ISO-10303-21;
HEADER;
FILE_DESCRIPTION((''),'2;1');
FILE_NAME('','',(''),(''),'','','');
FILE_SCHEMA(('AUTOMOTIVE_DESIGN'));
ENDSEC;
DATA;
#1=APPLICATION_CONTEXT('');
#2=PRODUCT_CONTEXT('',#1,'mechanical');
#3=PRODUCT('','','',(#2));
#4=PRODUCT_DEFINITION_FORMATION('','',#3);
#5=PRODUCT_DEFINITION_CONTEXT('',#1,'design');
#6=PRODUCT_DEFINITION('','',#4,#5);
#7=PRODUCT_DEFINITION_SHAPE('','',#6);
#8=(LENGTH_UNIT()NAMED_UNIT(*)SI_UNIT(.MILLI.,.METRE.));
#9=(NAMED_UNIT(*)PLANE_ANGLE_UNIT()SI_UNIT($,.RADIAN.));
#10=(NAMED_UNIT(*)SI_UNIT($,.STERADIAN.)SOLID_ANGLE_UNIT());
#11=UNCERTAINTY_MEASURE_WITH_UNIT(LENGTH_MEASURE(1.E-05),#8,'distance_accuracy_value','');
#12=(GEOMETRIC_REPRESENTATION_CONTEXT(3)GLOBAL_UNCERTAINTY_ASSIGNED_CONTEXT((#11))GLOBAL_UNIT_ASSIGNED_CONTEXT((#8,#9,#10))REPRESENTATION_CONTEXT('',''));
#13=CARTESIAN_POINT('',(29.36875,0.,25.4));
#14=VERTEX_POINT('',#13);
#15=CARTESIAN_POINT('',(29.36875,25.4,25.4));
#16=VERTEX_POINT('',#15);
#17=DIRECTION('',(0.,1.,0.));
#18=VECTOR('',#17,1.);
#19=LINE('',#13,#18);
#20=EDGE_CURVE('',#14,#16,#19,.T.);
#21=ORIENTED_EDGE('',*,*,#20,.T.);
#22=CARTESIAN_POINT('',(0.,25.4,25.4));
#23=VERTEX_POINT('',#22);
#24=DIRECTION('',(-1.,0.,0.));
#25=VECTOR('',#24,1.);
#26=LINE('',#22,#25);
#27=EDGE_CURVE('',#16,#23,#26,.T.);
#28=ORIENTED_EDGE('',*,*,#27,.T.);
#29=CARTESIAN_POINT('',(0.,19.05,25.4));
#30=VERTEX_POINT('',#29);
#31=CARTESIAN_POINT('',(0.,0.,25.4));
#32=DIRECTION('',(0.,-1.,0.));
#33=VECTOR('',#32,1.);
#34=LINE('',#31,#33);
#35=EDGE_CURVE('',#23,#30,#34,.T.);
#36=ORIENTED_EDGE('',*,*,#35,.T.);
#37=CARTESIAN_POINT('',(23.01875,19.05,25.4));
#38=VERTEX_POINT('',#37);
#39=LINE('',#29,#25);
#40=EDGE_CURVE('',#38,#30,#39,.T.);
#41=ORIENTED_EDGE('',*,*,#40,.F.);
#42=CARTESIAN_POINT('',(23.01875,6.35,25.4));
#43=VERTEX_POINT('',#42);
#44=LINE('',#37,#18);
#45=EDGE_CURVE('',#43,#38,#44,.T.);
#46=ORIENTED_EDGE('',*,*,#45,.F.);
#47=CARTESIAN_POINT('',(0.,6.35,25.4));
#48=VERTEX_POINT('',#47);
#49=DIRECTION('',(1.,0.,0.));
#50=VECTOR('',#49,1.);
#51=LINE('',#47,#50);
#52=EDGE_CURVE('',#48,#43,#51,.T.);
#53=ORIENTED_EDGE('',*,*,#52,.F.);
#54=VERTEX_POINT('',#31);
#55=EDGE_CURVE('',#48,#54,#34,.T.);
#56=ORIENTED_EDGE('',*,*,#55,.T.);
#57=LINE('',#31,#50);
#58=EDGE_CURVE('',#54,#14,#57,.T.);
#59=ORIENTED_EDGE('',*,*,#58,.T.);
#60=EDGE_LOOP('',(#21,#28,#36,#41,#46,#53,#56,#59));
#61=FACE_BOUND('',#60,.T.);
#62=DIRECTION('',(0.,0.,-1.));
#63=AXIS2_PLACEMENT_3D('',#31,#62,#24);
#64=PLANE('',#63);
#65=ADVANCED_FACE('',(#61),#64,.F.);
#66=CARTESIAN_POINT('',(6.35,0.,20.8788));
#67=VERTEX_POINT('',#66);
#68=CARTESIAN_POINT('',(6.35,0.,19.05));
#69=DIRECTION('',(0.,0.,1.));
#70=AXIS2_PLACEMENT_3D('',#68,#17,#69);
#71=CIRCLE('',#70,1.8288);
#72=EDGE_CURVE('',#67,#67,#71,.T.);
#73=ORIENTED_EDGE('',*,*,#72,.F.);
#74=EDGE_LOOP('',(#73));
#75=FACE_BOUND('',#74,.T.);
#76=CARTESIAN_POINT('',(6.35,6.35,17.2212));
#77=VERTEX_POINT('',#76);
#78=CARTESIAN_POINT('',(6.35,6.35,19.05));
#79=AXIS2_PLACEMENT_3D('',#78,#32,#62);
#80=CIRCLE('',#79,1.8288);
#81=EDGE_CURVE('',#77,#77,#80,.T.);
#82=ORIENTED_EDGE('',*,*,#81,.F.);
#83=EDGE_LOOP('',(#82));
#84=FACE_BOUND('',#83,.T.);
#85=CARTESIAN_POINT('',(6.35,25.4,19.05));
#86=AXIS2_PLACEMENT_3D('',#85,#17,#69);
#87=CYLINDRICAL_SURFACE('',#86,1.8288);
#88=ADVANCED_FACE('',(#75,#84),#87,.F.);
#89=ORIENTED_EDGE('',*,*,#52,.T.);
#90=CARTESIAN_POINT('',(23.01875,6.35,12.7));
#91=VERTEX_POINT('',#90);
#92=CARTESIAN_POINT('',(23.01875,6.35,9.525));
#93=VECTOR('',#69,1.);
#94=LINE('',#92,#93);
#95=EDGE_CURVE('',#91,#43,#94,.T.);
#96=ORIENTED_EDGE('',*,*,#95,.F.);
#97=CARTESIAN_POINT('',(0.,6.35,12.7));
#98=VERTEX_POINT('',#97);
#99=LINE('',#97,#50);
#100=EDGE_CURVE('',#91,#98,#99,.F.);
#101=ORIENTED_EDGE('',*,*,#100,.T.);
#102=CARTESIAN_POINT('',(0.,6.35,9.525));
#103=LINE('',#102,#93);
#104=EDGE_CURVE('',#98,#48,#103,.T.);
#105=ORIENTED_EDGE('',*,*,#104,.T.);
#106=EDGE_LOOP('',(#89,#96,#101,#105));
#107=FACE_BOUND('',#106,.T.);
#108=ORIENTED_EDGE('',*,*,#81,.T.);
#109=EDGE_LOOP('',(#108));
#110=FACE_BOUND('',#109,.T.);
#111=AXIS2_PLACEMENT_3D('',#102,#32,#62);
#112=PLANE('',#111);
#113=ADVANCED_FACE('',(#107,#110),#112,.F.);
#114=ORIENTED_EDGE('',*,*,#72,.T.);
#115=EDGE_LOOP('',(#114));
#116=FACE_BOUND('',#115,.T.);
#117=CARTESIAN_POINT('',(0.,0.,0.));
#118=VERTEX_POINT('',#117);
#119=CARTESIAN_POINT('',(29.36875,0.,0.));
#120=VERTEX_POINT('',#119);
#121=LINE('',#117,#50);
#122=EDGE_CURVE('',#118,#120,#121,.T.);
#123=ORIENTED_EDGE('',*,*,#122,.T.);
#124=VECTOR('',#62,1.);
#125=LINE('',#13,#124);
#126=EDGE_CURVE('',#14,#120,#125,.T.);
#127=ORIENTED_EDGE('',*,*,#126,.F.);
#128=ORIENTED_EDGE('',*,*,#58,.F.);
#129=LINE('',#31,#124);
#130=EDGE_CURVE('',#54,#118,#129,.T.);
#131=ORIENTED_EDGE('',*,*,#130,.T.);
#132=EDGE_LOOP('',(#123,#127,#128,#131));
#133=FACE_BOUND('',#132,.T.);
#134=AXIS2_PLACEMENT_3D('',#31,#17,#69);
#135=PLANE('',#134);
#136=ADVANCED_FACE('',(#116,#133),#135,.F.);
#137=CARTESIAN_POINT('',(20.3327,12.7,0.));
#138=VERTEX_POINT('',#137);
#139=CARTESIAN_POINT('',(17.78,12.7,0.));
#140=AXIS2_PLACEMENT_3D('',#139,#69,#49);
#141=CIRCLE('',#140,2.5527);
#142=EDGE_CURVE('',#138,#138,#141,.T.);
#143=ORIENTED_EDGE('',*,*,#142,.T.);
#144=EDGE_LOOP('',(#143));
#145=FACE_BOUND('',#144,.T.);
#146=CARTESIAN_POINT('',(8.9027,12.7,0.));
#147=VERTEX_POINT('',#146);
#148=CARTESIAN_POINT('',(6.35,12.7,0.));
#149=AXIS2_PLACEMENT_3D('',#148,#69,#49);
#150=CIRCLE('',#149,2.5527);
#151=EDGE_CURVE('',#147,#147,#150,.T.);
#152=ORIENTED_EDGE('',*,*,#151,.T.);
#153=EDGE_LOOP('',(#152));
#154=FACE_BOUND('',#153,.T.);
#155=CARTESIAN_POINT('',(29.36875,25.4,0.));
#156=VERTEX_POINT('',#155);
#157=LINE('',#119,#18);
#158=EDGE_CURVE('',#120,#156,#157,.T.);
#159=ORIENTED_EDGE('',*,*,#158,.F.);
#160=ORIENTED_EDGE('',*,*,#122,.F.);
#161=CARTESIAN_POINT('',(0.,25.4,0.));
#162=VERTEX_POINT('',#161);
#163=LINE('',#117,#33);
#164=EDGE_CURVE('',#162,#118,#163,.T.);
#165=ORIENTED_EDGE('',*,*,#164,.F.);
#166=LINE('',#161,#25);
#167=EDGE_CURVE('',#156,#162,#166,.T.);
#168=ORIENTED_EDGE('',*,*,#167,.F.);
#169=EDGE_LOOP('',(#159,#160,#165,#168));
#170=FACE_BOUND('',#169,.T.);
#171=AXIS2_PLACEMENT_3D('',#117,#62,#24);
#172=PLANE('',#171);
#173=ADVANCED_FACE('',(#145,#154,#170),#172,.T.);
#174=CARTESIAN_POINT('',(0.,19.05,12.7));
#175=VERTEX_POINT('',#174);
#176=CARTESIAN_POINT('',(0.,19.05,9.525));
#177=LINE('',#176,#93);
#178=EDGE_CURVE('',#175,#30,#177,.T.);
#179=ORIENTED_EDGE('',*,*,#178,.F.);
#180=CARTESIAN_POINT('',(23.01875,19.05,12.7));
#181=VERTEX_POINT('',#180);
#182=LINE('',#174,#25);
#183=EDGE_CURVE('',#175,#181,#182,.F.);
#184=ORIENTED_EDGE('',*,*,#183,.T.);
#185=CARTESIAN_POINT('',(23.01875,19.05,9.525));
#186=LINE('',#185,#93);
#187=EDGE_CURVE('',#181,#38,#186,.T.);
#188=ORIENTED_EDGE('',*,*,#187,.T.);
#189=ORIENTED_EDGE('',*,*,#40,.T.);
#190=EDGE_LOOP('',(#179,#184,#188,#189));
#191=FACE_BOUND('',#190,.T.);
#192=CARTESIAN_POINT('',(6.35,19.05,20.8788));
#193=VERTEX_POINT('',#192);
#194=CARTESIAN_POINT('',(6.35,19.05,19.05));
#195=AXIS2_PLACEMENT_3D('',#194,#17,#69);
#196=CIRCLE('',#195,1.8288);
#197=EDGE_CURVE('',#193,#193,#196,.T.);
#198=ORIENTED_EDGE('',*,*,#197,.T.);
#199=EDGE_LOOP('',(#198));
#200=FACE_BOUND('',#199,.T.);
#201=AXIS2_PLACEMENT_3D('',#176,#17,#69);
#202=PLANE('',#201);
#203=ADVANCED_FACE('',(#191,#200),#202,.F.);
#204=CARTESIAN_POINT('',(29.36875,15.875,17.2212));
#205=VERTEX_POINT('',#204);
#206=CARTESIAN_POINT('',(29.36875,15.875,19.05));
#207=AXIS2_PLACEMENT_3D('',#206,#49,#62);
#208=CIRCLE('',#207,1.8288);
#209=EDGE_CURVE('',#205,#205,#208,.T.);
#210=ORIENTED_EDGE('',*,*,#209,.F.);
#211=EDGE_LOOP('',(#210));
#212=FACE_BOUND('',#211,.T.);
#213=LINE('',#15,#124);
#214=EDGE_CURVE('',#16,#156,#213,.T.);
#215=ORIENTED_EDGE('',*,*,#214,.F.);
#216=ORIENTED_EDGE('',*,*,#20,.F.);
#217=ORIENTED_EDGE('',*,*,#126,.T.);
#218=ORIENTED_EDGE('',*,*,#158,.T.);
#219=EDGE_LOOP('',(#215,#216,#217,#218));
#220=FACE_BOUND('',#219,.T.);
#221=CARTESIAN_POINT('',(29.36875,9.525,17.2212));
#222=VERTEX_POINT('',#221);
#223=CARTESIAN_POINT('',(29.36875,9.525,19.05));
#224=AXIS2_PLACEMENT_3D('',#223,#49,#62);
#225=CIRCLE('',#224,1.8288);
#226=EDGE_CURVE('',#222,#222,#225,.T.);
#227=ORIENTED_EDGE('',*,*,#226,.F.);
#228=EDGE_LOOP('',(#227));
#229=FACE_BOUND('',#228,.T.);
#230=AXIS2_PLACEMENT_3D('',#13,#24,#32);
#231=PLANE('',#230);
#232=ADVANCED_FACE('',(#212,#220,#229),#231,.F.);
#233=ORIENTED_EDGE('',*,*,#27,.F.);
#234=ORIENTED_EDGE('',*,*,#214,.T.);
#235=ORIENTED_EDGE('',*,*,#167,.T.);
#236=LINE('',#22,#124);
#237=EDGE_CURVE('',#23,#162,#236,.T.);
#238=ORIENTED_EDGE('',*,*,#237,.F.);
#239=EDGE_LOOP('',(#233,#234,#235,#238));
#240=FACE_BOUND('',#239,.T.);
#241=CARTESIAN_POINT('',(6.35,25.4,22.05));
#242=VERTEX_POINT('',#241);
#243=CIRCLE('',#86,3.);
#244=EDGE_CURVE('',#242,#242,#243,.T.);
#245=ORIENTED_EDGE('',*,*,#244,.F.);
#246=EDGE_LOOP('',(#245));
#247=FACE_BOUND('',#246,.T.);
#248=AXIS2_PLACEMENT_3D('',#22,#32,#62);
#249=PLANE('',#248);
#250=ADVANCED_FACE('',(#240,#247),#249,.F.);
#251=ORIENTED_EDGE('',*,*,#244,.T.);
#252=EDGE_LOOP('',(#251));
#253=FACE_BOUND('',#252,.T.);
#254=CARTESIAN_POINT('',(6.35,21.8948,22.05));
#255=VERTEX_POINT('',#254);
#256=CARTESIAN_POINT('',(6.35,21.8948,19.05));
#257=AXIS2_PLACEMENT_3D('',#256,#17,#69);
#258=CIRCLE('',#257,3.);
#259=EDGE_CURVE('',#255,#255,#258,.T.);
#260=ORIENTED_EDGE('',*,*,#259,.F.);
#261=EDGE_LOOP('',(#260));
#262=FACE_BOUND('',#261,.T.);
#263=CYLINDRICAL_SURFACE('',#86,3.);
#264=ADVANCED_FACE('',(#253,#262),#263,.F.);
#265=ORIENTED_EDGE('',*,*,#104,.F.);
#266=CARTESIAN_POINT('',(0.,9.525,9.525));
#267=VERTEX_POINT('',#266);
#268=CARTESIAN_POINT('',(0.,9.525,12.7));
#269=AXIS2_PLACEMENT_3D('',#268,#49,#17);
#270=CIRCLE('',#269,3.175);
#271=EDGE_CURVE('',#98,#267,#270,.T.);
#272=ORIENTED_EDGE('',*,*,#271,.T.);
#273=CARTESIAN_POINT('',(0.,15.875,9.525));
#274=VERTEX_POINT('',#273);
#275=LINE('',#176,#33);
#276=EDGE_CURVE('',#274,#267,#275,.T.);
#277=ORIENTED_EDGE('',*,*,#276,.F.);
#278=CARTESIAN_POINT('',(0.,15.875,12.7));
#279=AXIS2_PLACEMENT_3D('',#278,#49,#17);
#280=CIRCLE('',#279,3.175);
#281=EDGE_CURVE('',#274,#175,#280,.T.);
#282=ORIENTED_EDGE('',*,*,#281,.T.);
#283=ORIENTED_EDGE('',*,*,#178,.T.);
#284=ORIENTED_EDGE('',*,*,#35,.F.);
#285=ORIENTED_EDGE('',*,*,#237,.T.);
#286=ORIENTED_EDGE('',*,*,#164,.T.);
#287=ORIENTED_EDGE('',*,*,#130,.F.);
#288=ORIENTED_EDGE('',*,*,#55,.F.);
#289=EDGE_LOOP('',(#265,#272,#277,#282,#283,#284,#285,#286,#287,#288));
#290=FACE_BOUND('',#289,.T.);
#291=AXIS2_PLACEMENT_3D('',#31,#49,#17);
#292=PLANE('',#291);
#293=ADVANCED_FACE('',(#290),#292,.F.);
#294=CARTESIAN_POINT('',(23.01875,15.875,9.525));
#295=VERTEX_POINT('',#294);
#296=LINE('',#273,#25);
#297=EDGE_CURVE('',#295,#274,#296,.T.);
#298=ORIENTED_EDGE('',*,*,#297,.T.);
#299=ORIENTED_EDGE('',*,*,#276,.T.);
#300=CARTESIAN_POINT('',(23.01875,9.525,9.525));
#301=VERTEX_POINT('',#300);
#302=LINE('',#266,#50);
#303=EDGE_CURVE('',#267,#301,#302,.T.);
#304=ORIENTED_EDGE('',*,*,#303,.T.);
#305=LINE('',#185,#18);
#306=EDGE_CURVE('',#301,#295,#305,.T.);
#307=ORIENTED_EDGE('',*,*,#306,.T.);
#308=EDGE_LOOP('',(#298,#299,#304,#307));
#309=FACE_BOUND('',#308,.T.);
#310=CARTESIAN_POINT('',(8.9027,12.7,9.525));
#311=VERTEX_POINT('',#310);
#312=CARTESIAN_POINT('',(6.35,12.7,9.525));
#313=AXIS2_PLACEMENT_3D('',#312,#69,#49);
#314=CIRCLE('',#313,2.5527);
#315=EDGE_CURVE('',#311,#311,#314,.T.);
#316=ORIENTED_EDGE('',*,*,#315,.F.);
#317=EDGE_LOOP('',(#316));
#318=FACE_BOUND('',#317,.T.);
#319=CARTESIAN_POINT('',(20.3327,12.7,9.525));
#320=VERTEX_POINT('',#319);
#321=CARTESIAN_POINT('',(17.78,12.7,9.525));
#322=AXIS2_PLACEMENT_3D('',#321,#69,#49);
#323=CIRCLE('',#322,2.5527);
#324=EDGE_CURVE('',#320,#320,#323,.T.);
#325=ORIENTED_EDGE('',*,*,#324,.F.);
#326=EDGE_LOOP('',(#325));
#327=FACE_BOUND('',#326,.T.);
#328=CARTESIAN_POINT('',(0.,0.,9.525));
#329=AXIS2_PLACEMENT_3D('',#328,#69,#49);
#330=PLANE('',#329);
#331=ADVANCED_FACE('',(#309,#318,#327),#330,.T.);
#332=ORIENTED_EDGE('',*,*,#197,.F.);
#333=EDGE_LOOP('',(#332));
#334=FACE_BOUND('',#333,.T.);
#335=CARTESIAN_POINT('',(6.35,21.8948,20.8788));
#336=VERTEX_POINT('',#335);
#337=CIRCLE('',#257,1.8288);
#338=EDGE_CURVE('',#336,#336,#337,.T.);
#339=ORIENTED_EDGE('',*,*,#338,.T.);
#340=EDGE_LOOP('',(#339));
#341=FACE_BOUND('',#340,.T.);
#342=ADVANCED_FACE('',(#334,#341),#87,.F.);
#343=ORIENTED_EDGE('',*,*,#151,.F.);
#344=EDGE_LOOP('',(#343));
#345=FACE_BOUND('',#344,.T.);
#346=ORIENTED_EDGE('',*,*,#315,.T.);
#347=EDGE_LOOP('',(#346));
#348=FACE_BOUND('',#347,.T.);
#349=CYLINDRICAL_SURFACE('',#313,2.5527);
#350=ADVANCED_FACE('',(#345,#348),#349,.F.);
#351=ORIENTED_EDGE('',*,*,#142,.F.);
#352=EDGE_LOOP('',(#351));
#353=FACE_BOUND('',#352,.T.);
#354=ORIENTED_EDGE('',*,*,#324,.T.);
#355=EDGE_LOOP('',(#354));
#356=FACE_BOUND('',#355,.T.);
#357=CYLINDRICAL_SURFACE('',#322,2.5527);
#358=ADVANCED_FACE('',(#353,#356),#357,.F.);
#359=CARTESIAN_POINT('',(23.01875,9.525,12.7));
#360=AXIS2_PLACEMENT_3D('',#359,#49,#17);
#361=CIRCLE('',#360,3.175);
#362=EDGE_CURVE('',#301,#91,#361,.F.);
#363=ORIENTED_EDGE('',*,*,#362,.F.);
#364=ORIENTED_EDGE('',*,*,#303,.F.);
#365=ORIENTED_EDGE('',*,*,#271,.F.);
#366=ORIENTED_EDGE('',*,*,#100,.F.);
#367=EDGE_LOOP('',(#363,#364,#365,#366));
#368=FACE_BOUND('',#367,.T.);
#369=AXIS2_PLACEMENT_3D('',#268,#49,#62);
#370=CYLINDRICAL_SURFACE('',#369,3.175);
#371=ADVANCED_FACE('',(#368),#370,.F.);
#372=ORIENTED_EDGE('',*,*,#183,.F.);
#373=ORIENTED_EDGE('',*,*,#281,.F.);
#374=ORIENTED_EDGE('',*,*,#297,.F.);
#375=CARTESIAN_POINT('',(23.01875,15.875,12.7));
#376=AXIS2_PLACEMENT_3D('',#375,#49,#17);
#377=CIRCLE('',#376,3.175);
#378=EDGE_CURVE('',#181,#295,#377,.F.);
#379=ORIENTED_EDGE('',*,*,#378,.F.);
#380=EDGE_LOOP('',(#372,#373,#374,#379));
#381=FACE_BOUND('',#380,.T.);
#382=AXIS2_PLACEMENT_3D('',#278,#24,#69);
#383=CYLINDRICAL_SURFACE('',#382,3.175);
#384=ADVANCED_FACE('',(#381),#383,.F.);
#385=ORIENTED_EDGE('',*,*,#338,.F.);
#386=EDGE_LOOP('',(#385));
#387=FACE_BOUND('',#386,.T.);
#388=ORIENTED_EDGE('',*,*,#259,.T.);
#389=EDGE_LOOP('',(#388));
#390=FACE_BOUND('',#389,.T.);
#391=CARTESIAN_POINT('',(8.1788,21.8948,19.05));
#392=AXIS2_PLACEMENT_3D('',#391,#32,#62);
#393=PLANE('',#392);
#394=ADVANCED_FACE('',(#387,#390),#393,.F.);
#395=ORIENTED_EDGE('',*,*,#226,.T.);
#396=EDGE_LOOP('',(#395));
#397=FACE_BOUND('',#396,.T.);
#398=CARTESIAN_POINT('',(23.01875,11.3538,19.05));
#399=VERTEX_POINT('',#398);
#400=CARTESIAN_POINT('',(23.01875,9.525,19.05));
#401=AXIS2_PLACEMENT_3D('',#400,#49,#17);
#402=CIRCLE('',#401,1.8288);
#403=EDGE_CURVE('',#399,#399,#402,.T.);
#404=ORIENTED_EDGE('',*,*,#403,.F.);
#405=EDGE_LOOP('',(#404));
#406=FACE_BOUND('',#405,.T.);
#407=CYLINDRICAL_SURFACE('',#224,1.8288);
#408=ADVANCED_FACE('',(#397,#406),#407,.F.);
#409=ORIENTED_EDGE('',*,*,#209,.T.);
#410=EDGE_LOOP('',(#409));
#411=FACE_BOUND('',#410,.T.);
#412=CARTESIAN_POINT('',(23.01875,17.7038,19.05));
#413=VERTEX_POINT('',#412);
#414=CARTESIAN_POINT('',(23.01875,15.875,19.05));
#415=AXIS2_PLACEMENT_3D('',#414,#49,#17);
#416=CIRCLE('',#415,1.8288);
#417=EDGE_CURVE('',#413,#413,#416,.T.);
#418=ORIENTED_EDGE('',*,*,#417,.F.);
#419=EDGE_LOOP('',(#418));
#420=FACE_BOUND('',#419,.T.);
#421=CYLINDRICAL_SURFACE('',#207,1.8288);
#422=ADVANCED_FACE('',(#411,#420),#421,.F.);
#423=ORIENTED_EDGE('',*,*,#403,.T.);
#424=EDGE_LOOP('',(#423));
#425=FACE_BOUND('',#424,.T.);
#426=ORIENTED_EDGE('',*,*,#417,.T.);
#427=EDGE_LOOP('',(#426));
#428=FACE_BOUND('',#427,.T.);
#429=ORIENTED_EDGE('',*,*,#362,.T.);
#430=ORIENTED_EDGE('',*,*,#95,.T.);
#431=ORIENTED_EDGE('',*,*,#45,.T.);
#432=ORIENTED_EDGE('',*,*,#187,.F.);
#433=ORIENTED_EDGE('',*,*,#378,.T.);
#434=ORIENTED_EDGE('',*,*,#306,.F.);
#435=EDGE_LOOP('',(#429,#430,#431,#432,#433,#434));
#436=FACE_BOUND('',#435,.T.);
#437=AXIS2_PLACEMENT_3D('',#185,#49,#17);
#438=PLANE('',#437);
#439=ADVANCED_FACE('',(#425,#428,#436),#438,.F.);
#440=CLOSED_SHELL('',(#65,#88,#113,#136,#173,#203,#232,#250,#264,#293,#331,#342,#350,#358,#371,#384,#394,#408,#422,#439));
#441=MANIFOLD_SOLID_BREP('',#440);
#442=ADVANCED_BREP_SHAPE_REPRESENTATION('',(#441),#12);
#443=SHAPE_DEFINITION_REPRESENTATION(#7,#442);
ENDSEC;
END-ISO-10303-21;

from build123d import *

# Parameters (mm, degrees)
SKETCH1_W                                      = 29.36875
SKETCH1_H                                      = 25.4
BOSS_EXTRUDE1_DEPTH                            = 25.4
SKETCH2_W                                      = 23.01875
SKETCH2_H                                      = 12.7
CUT_EXTRUDE1_DEPTH                             = 15.875
CBORE_FOR_6_SOCKET_HEAD_CAP_SCREW1_D           = 3.6576
CBORE_FOR_6_SOCKET_HEAD_CAP_SCREW1_CBORE_D     = 5.999999938
CBORE_FOR_6_SOCKET_HEAD_CAP_SCREW1_CBORE_DEPTH = 3.5052
F_6_CLEARANCE_HOLE2_D                          = 3.6576
FILLET1_R                                      = 3.175
TAP_DRILL_FOR_1_4_20_TAP2_D                    = 5.1054


with BuildPart() as part:
    # Sketch1 → Boss-Extrude1 (new body)
    with BuildSketch(Plane.XY):
        with Locations((14.684375, 12.7)):
            Rectangle(SKETCH1_W, SKETCH1_H)
    extrude(amount=BOSS_EXTRUDE1_DEPTH)

    # Sketch2 → Cut-Extrude1 (cut)
    with BuildSketch(Plane.XY.offset(25.4)):
        with Locations((11.509375, 12.7)):
            Rectangle(SKETCH2_W, SKETCH2_H)
    extrude(amount=-CUT_EXTRUDE1_DEPTH, mode=Mode.SUBTRACT)

    # CBORE for #6 Socket Head Cap Screw1 (through all)
    with Locations(Plane(origin=(0, 25.4, 0), x_dir=(1, 0, 0), z_dir=(0, 1, 0))):
        with Locations((6.35, -19.05)):
            CounterBoreHole(CBORE_FOR_6_SOCKET_HEAD_CAP_SCREW1_D / 2, CBORE_FOR_6_SOCKET_HEAD_CAP_SCREW1_CBORE_D / 2, CBORE_FOR_6_SOCKET_HEAD_CAP_SCREW1_CBORE_DEPTH)

    # #6 Clearance Hole2 (through all)
    with Locations(Plane(origin=(29.36875, 0, 0), x_dir=(0, 0, -1), z_dir=(1, 0, 0))):
        with Locations((-19.05, 15.875), (-19.05, 9.525)):
            Hole(F_6_CLEARANCE_HOLE2_D / 2)

    # Fillet1
    fillet1_edges = [part.edges().sort_by_distance(p)[0] for p in [
        (11.509375, 19.05, 9.525),
        (11.509375, 6.35, 9.525),
    ]]
    fillet(fillet1_edges, radius=FILLET1_R)

    # Tap Drill for 1/4-20 Tap2 (through all)
    with Locations(Plane.XY.offset(9.525)):
        with Locations((6.35, 12.7), (17.78, 12.7)):
            Hole(TAP_DRILL_FOR_1_4_20_TAP2_D / 2)


solid = part.part
